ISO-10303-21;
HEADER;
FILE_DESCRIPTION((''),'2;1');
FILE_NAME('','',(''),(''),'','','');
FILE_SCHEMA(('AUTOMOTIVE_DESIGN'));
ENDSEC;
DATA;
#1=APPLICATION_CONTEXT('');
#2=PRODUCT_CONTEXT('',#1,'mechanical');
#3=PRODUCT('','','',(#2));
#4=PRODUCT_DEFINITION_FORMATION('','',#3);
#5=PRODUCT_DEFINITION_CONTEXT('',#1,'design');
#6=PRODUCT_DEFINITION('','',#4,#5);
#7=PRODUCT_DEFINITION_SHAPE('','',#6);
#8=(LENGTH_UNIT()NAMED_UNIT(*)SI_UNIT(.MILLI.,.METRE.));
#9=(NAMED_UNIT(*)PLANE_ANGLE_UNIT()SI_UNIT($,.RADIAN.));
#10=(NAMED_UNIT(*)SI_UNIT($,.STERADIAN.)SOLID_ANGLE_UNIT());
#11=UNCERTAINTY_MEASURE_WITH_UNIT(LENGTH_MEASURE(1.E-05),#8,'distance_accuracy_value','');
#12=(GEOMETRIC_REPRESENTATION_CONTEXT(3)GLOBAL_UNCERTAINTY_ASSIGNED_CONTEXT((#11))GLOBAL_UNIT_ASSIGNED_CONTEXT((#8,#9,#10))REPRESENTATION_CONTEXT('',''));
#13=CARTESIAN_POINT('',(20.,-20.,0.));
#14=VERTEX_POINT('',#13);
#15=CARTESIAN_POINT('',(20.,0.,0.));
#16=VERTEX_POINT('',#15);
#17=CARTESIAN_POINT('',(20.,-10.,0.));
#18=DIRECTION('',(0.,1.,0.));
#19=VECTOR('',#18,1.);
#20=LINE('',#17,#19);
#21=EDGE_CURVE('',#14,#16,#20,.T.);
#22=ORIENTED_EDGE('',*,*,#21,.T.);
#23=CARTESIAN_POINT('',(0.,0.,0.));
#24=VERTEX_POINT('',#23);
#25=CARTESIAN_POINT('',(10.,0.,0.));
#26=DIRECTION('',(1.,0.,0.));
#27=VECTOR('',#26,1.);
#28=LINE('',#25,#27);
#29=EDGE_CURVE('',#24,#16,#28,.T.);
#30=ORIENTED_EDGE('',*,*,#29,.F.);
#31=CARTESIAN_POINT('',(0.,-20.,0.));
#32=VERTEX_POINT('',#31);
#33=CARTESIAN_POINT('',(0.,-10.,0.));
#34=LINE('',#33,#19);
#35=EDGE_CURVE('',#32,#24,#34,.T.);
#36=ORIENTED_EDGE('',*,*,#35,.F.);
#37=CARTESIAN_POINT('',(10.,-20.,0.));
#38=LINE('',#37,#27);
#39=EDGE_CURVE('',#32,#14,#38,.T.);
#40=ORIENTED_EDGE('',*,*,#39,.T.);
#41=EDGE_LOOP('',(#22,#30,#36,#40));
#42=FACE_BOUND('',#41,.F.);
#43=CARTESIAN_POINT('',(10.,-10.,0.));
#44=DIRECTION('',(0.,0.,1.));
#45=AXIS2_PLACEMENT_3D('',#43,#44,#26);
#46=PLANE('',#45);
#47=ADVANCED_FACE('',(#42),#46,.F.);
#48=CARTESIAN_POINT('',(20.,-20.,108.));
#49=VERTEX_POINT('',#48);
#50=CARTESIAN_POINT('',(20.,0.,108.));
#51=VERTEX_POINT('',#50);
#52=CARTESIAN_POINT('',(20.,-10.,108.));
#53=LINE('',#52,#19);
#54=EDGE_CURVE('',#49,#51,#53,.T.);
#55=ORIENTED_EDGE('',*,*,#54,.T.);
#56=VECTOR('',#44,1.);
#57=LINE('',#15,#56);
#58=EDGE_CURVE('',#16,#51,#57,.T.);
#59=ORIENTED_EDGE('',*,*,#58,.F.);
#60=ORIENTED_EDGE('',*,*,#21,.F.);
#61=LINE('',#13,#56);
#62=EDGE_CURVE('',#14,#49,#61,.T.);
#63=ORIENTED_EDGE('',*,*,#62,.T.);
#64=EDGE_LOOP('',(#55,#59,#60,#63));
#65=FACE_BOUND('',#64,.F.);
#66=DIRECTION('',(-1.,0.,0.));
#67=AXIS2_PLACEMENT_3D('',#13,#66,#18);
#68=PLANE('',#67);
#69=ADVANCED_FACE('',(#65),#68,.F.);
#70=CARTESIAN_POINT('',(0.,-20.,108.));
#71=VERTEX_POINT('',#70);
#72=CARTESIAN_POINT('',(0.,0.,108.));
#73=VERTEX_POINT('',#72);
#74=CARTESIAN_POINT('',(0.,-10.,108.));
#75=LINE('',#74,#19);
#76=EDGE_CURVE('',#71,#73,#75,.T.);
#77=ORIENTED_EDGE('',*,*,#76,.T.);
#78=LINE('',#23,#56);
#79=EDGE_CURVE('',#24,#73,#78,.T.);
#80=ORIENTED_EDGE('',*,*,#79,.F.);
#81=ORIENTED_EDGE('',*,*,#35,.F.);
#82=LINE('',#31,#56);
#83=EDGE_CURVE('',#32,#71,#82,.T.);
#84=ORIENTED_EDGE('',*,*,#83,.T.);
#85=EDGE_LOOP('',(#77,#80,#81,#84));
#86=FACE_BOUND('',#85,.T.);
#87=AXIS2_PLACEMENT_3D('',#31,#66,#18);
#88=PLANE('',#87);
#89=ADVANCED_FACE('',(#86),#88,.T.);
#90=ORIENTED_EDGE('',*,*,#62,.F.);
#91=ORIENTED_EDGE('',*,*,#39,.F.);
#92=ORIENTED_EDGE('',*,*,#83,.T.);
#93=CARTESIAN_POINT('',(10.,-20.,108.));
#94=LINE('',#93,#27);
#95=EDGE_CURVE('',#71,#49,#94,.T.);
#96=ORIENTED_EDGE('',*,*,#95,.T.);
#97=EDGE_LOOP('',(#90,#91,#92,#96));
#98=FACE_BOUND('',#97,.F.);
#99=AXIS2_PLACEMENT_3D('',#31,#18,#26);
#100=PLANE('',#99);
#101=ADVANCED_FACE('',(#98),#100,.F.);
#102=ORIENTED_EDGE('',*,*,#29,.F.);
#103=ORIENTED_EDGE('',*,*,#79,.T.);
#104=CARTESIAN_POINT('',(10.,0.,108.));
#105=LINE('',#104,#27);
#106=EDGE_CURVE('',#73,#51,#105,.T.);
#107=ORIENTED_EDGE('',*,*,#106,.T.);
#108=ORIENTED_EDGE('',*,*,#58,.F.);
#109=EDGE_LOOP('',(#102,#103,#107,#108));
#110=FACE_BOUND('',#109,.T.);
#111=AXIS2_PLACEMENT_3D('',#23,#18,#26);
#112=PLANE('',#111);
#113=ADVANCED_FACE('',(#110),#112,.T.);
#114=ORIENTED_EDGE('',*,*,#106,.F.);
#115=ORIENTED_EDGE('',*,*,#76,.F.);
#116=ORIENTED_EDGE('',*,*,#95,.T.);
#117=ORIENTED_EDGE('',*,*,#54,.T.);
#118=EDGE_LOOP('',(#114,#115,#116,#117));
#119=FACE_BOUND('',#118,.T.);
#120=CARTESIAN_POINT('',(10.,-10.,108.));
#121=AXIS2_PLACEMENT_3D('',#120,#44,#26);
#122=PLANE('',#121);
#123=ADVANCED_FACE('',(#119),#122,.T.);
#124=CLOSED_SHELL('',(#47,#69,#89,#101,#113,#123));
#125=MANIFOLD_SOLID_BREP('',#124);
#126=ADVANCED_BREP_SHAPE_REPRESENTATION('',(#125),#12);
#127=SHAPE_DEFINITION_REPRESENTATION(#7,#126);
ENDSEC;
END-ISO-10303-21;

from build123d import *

# Parameters (mm, degrees)
SKETCH_W  = 20
SKETCH_H  = 20
PAD_DEPTH = 108


with BuildPart() as part:
    # Sketch → Pad (new body)
    with BuildSketch(Plane.XY):
        with Locations((10, -10)):
            Rectangle(SKETCH_W, SKETCH_H)
    extrude(amount=PAD_DEPTH)


solid = part.part
